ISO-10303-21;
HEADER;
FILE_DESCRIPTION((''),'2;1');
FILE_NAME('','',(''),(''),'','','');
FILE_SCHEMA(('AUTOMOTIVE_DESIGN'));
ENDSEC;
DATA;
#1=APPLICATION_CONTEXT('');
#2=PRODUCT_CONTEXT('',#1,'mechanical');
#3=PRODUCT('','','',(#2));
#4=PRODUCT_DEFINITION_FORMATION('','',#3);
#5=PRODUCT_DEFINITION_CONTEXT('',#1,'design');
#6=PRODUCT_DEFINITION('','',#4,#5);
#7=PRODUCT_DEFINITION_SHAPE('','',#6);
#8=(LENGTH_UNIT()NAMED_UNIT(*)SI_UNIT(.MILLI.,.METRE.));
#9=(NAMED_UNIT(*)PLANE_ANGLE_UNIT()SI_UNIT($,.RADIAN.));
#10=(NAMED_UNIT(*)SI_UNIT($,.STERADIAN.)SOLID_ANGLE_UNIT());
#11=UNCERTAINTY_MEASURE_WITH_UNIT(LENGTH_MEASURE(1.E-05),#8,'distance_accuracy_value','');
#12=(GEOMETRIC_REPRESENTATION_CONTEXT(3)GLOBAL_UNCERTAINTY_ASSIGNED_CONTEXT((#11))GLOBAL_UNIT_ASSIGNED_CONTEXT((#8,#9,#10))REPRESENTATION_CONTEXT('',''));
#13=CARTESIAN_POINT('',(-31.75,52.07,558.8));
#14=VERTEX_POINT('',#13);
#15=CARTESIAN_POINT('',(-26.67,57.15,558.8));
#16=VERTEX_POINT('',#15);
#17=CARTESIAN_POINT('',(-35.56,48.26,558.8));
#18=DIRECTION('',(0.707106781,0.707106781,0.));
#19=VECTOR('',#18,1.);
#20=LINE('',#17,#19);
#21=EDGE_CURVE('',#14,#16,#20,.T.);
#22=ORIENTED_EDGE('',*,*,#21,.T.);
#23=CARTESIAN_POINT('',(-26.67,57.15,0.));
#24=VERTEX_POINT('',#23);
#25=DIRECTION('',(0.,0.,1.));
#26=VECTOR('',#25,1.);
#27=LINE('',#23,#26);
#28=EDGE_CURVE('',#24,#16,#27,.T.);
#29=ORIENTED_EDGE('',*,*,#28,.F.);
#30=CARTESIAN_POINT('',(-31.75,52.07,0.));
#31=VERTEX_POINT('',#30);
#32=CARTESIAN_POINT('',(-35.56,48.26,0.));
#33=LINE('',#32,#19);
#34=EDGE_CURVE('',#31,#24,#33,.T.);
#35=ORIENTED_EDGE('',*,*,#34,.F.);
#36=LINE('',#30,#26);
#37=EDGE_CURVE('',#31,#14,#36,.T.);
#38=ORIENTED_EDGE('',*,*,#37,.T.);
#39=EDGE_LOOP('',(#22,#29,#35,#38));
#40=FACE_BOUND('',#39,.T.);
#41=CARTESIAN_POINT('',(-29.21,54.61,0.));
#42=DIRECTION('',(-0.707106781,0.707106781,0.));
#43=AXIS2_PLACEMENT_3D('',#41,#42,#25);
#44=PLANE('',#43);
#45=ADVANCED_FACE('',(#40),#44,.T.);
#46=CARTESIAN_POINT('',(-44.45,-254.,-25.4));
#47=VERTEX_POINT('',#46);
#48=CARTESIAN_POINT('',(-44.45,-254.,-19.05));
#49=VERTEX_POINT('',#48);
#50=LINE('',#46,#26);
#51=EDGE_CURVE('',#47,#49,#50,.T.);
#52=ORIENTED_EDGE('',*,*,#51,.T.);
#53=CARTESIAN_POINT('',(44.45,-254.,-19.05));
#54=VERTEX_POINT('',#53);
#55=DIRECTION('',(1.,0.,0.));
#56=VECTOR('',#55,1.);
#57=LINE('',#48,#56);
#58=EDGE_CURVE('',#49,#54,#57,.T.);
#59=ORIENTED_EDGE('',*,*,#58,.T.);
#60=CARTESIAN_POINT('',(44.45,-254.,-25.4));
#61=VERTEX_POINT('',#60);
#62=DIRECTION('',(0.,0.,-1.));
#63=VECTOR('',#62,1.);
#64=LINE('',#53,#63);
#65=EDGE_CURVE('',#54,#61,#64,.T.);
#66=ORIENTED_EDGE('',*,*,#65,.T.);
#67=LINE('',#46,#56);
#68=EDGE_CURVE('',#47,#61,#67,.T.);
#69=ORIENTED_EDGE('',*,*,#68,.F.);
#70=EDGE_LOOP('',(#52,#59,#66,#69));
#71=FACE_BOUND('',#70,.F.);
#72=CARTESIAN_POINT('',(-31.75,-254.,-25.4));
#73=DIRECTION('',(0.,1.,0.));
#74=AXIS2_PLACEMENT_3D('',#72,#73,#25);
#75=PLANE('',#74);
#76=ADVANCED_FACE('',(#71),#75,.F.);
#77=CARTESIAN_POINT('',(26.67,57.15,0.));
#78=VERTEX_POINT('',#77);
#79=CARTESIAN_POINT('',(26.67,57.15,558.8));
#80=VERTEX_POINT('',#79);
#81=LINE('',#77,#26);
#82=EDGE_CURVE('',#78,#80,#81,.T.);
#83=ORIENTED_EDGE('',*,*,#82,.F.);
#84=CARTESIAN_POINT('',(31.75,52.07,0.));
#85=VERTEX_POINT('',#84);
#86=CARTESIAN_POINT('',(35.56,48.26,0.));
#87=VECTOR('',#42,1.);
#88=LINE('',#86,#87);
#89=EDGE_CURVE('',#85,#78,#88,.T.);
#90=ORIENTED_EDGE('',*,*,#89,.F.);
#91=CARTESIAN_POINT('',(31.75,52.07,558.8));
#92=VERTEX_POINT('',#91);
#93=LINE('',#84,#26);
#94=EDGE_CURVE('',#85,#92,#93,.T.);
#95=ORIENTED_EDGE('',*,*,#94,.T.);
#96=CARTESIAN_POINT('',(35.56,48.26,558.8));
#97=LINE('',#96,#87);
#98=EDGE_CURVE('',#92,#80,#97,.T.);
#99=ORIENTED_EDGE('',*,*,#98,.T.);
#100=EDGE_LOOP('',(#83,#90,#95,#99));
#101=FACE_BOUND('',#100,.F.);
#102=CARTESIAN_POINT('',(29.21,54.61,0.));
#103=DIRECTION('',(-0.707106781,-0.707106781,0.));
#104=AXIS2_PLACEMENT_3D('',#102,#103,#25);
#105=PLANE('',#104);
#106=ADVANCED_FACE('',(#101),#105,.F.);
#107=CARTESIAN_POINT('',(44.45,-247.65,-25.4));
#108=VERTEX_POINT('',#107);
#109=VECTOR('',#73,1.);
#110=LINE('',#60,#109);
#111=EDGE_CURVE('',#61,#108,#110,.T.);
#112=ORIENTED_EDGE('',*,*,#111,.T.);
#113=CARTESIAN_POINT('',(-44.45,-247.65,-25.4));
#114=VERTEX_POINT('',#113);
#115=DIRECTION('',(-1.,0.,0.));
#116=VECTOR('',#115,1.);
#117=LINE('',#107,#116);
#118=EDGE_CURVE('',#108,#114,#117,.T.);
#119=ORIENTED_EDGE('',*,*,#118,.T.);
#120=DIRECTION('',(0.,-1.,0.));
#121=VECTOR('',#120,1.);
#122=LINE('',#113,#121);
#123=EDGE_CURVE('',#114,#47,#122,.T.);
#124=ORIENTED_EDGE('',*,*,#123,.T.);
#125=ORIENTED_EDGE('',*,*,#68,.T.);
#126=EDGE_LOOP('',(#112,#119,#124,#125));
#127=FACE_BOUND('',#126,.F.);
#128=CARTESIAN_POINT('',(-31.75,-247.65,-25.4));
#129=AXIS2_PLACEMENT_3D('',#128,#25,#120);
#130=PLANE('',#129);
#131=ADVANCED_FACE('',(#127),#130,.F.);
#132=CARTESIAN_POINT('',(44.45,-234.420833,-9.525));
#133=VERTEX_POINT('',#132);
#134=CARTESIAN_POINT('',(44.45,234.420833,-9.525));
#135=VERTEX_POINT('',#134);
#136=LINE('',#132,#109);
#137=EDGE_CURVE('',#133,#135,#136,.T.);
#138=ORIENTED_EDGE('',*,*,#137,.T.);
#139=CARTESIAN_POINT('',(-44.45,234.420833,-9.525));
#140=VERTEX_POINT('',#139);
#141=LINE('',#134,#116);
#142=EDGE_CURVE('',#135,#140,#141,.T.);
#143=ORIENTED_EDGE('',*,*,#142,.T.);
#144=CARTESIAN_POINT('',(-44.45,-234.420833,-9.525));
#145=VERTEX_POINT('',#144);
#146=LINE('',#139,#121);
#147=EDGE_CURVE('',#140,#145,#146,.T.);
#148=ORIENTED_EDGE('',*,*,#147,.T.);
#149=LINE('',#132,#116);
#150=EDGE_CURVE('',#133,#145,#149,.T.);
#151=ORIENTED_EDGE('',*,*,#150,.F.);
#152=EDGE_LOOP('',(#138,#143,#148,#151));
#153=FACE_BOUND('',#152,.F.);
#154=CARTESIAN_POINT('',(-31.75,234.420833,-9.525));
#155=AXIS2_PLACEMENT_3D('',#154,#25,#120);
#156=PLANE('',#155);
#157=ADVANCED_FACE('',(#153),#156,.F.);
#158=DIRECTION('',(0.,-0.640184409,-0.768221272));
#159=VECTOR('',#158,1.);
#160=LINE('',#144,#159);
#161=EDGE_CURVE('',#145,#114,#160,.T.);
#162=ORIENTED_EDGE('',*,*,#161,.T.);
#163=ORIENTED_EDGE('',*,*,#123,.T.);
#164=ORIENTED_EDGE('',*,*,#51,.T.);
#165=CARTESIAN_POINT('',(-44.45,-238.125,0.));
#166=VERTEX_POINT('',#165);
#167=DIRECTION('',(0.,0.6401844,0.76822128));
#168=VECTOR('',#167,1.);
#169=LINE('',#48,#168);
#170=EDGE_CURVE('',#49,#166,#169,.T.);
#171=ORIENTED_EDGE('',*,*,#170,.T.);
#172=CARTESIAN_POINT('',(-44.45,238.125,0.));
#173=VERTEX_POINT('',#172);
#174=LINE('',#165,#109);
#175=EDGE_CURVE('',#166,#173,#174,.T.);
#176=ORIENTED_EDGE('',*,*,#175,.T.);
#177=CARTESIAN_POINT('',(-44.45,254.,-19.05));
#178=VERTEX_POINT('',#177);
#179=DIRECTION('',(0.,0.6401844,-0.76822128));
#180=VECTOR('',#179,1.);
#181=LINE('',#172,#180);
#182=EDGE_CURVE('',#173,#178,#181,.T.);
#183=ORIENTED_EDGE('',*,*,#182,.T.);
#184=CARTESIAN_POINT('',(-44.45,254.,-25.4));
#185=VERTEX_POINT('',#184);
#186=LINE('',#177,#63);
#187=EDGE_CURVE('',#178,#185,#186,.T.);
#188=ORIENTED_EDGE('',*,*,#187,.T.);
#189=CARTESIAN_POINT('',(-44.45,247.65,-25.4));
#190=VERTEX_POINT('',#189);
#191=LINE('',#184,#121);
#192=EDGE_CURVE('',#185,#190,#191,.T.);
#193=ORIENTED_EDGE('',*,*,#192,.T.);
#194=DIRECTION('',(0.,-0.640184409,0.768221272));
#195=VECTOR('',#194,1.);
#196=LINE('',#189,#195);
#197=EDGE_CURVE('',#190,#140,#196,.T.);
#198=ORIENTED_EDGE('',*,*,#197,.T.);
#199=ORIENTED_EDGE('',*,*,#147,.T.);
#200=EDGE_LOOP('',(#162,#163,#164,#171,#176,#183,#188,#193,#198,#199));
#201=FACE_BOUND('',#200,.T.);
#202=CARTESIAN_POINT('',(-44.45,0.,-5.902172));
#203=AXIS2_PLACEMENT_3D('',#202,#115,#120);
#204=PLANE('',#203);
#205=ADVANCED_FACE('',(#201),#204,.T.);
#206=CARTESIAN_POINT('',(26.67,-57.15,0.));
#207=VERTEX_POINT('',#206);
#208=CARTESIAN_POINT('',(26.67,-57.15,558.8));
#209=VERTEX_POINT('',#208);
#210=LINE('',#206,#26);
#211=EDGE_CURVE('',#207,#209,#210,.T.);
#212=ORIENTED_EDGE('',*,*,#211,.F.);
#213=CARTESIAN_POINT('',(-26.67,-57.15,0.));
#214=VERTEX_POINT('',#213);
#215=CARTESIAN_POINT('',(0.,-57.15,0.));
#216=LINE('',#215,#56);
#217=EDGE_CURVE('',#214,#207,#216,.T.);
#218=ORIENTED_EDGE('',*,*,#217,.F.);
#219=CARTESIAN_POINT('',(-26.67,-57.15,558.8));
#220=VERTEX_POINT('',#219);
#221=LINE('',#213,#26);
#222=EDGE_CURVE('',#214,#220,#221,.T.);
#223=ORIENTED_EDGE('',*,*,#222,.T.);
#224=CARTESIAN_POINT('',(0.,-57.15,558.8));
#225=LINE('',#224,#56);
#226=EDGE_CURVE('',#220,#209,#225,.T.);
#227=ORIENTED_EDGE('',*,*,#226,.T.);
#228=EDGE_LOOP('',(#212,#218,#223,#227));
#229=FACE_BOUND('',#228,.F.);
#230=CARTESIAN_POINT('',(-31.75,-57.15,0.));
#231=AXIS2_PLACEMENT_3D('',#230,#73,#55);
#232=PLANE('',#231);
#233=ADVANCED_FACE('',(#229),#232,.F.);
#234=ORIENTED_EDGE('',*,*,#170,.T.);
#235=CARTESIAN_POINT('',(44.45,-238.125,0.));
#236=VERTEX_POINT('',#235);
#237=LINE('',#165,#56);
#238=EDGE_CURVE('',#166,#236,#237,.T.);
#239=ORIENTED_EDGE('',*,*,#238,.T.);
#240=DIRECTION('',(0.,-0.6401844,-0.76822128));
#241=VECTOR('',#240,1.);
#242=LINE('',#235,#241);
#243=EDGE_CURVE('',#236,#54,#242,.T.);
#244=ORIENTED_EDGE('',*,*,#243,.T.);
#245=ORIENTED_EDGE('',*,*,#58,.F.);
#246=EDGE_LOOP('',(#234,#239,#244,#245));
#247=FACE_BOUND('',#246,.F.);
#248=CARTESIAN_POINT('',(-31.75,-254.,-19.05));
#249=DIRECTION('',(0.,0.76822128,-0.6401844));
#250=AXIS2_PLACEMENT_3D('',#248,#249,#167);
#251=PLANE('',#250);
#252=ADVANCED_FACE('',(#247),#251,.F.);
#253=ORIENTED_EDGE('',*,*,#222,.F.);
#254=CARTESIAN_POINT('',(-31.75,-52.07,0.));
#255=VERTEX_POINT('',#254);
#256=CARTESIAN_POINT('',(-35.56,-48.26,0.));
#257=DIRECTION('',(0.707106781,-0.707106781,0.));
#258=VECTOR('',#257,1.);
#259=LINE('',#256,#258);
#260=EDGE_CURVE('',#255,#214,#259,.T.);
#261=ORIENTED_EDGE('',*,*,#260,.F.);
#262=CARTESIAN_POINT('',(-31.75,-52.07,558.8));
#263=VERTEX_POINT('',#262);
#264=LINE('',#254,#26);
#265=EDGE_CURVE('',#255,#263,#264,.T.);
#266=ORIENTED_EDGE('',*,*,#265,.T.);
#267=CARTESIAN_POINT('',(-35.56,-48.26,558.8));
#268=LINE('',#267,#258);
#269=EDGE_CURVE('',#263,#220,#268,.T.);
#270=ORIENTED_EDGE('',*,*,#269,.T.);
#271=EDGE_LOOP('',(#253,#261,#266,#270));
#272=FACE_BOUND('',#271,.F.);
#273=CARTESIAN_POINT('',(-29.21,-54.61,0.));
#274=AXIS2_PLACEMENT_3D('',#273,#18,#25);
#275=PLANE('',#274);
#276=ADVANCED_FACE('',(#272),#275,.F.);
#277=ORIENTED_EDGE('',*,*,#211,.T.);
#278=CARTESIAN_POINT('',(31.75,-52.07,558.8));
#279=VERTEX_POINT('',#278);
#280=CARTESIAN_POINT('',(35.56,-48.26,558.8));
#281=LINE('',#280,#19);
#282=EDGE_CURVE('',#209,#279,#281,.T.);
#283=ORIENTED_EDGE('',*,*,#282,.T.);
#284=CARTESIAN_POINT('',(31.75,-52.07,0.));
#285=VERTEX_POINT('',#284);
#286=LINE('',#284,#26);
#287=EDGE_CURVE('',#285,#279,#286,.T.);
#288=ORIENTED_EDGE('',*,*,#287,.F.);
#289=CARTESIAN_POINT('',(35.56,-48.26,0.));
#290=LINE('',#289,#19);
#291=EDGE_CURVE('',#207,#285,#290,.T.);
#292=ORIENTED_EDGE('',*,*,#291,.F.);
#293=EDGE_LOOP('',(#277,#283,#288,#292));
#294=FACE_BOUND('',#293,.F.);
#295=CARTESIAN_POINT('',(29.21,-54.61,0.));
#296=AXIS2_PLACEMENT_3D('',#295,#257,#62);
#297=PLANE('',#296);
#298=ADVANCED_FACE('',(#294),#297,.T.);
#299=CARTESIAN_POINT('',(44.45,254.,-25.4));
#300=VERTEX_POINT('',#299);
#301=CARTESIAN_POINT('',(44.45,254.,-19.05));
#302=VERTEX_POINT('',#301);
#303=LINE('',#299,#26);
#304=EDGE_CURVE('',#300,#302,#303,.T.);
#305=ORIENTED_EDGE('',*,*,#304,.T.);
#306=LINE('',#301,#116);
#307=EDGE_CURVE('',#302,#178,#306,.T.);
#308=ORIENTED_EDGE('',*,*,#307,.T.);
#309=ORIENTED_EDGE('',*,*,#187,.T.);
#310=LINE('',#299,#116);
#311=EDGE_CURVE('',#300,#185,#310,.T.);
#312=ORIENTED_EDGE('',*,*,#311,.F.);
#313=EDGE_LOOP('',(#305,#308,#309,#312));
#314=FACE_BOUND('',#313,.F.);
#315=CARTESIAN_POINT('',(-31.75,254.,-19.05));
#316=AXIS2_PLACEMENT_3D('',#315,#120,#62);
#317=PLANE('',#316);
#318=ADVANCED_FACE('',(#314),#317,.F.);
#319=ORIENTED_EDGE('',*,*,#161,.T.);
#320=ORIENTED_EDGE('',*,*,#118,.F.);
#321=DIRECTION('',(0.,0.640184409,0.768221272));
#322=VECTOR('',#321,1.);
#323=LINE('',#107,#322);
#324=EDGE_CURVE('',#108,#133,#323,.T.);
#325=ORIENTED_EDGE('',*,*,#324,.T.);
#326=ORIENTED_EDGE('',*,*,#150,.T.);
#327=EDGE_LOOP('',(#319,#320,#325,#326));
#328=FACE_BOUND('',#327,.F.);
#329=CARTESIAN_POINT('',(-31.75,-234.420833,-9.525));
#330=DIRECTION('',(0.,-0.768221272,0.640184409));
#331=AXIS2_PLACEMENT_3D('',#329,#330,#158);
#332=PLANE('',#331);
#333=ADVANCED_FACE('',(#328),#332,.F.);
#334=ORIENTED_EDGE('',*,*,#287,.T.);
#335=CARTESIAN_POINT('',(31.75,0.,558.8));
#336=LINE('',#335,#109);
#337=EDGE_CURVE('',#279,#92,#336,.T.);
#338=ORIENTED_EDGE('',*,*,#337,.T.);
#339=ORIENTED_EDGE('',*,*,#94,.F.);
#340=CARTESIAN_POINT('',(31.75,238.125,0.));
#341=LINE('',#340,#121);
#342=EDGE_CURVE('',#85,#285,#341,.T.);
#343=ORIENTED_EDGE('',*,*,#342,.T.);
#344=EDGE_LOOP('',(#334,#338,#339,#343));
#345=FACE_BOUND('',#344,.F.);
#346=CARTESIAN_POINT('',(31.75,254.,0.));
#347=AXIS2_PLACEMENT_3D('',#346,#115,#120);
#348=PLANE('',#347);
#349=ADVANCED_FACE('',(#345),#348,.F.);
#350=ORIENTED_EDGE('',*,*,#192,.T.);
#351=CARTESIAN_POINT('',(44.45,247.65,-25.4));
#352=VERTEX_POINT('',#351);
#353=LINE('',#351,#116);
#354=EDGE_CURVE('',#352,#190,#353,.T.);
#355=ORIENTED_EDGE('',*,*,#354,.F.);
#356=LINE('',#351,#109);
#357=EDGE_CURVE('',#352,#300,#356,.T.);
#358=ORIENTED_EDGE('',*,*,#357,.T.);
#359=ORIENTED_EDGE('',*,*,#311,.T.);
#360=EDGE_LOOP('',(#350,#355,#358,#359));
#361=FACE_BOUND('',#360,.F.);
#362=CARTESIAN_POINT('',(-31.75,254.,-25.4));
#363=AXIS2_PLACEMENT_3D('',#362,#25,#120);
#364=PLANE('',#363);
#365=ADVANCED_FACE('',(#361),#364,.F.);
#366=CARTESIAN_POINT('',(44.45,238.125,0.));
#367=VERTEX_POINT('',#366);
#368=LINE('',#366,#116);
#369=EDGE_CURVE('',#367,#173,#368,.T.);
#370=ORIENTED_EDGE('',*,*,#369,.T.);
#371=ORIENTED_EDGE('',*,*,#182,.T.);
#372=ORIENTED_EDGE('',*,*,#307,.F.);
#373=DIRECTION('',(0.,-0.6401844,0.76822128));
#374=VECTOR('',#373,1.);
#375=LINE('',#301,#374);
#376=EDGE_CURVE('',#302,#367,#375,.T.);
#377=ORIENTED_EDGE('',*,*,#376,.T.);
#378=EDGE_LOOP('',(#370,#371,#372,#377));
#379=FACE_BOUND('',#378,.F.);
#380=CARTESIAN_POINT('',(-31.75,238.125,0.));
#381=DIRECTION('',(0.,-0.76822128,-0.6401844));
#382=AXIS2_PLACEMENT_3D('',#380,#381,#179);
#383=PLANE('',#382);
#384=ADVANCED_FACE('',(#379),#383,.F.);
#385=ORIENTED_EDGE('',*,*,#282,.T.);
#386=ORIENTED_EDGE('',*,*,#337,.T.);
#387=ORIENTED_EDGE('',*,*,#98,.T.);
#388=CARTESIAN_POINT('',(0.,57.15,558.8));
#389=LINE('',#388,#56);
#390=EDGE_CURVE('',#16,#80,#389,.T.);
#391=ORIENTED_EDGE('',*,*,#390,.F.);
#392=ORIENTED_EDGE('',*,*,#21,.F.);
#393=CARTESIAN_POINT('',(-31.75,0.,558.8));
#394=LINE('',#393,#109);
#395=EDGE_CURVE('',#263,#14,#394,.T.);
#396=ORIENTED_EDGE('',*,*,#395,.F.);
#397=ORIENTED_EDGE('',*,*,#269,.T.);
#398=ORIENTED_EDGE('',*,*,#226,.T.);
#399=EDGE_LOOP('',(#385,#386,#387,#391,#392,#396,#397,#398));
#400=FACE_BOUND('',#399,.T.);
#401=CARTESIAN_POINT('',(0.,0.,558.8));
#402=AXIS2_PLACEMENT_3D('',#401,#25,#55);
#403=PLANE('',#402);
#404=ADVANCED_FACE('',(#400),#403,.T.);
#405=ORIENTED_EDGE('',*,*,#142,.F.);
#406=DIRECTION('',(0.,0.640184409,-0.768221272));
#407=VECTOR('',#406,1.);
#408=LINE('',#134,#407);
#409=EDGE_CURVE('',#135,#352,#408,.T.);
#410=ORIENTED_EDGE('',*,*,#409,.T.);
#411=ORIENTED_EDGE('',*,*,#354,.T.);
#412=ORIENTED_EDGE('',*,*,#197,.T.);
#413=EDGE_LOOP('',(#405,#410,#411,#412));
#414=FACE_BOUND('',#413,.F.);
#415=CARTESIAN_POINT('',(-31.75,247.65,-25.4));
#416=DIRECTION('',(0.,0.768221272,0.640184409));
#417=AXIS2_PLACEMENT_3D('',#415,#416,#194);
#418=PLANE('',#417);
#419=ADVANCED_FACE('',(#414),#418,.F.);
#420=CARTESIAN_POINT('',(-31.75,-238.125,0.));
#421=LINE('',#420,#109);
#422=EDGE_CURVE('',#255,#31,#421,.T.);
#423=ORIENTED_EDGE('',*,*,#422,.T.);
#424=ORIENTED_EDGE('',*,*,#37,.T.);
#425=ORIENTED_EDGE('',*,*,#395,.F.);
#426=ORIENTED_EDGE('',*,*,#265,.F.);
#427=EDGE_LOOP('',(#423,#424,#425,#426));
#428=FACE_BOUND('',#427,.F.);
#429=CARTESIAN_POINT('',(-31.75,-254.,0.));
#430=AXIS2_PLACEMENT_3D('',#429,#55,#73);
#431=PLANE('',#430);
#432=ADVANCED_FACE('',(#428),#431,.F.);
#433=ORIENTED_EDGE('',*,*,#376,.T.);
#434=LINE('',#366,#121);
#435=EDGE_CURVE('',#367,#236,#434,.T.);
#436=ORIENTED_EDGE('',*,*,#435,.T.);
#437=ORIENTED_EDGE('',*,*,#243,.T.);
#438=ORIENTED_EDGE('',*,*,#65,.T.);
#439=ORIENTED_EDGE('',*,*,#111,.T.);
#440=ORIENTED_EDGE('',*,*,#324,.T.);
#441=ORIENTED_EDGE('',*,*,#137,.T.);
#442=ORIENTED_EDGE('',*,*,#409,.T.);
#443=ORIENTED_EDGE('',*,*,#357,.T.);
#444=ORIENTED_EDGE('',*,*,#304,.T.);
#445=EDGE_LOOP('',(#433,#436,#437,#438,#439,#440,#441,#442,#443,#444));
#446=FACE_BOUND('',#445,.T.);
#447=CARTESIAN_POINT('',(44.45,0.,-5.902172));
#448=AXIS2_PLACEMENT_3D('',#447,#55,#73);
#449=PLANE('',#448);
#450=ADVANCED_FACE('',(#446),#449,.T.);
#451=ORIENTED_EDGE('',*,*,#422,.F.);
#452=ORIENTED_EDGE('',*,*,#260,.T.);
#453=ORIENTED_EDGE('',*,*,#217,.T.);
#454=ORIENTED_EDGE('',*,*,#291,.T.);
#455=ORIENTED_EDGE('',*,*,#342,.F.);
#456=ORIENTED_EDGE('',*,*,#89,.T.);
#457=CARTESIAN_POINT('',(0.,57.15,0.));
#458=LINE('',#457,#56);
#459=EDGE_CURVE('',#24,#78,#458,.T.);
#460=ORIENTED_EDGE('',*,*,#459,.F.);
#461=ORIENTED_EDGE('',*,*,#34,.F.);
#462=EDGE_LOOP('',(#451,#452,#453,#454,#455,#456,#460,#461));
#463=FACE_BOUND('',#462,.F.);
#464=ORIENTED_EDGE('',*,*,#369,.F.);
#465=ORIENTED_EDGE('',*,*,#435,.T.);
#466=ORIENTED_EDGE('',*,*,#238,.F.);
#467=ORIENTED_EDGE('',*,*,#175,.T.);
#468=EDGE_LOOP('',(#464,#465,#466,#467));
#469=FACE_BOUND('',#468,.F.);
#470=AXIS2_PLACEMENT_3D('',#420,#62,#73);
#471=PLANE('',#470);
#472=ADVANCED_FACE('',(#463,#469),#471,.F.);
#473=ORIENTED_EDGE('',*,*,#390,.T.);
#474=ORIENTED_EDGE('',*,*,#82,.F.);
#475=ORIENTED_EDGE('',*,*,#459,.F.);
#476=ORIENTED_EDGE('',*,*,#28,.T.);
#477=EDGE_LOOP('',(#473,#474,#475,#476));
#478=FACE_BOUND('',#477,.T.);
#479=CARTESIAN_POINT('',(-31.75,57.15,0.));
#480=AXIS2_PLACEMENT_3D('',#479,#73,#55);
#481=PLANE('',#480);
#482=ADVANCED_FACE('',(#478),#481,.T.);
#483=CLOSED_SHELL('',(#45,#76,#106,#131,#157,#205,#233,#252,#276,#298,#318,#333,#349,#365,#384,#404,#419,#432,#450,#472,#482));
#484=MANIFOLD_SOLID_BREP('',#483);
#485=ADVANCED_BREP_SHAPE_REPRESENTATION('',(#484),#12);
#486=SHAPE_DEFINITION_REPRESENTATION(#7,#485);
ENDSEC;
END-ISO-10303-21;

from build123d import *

# Parameters (mm, degrees)
F0_W      = 63.5
F0_H      = 114.3
F1_DEPTH  = 558.8
F2_SIZE   = 5.08
F4_DEPTH  = 25.4
F6_DEPTH  = 76.2
F8_DEPTH  = 12.7
F10_DEPTH = 12.7


with BuildPart() as f1:
    # F0 (on Top) → F1 (new body)
    with BuildSketch(Plane.XY):
        Rectangle(F0_W, F0_H)
    extrude(amount=F1_DEPTH)

    # F2
    f2_edges = [f1.edges().sort_by_distance(p)[0] for p in [
        (31.75, 57.15, 279.4),
        (-31.75, 57.15, 279.4),
        (-31.75, -57.15, 279.4),
        (31.75, -57.15, 279.4),
    ]]
    chamfer(f2_edges, length=F2_SIZE)

    # F3 (on face) → F4 (join)
    with BuildSketch(Plane(origin=(0, 0, 0), x_dir=(1, 0, 0), z_dir=(0, 0, -1))):
        Polygon((31.75, 52.07), (31.75, 254), (-31.75, 254), (-31.75, 52.07), (-26.67, 57.15), (26.67, 57.15), align=None)
        Polygon((31.75, -52.07), (31.75, 52.07), (26.67, 57.15), (-26.67, 57.15), (-31.75, 52.07), (-31.75, -52.07), (-26.67, -57.15), (26.67, -57.15), align=None)
        Polygon((31.75, -254), (31.75, -52.07), (26.67, -57.15), (-26.67, -57.15), (-31.75, -52.07), (-31.75, -254), align=None)
    extrude(amount=F4_DEPTH)

    # F5 (on face) → F6 (cut)
    with BuildSketch(Plane(origin=(-31.75, 0, 0), x_dir=(0, -1, 0), z_dir=(-1, 0, 0))):
        Polygon((238.125, 0), (254, -19.05), (254, 0), align=None)
        Polygon((-247.65, -25.4), (247.65, -25.4), (234.420833, -9.525), (-234.420833, -9.525), align=None)
        Polygon((-254, 0), (-254, -19.05), (-238.125, 0), align=None)
    extrude(amount=-F6_DEPTH, mode=Mode.SUBTRACT)

    # F7 (on face) → F8 (join)
    with BuildSketch(Plane.YZ.offset(31.75)):
        Polygon((238.125, 0), (52.07, 0), (-52.07, 0), (-238.125, 0), (-254, -19.05), (-254, -25.4), (-247.65, -25.4), (-234.420833, -9.525), (234.420833, -9.525), (247.65, -25.4), (254, -25.4), (254, -19.05), align=None)
    extrude(amount=F8_DEPTH)

    # F9 (on face) → F10 (join)
    with BuildSketch(Plane(origin=(-31.75, 0, 0), x_dir=(0, -1, 0), z_dir=(-1, 0, 0))):
        Polygon((238.125, 0), (52.07, 0), (-52.07, 0), (-238.125, 0), (-254, -19.05), (-254, -25.4), (-247.65, -25.4), (-234.420833, -9.525), (234.420833, -9.525), (247.65, -25.4), (254, -25.4), (254, -19.05), align=None)
    extrude(amount=F10_DEPTH)


solid = f1.part
